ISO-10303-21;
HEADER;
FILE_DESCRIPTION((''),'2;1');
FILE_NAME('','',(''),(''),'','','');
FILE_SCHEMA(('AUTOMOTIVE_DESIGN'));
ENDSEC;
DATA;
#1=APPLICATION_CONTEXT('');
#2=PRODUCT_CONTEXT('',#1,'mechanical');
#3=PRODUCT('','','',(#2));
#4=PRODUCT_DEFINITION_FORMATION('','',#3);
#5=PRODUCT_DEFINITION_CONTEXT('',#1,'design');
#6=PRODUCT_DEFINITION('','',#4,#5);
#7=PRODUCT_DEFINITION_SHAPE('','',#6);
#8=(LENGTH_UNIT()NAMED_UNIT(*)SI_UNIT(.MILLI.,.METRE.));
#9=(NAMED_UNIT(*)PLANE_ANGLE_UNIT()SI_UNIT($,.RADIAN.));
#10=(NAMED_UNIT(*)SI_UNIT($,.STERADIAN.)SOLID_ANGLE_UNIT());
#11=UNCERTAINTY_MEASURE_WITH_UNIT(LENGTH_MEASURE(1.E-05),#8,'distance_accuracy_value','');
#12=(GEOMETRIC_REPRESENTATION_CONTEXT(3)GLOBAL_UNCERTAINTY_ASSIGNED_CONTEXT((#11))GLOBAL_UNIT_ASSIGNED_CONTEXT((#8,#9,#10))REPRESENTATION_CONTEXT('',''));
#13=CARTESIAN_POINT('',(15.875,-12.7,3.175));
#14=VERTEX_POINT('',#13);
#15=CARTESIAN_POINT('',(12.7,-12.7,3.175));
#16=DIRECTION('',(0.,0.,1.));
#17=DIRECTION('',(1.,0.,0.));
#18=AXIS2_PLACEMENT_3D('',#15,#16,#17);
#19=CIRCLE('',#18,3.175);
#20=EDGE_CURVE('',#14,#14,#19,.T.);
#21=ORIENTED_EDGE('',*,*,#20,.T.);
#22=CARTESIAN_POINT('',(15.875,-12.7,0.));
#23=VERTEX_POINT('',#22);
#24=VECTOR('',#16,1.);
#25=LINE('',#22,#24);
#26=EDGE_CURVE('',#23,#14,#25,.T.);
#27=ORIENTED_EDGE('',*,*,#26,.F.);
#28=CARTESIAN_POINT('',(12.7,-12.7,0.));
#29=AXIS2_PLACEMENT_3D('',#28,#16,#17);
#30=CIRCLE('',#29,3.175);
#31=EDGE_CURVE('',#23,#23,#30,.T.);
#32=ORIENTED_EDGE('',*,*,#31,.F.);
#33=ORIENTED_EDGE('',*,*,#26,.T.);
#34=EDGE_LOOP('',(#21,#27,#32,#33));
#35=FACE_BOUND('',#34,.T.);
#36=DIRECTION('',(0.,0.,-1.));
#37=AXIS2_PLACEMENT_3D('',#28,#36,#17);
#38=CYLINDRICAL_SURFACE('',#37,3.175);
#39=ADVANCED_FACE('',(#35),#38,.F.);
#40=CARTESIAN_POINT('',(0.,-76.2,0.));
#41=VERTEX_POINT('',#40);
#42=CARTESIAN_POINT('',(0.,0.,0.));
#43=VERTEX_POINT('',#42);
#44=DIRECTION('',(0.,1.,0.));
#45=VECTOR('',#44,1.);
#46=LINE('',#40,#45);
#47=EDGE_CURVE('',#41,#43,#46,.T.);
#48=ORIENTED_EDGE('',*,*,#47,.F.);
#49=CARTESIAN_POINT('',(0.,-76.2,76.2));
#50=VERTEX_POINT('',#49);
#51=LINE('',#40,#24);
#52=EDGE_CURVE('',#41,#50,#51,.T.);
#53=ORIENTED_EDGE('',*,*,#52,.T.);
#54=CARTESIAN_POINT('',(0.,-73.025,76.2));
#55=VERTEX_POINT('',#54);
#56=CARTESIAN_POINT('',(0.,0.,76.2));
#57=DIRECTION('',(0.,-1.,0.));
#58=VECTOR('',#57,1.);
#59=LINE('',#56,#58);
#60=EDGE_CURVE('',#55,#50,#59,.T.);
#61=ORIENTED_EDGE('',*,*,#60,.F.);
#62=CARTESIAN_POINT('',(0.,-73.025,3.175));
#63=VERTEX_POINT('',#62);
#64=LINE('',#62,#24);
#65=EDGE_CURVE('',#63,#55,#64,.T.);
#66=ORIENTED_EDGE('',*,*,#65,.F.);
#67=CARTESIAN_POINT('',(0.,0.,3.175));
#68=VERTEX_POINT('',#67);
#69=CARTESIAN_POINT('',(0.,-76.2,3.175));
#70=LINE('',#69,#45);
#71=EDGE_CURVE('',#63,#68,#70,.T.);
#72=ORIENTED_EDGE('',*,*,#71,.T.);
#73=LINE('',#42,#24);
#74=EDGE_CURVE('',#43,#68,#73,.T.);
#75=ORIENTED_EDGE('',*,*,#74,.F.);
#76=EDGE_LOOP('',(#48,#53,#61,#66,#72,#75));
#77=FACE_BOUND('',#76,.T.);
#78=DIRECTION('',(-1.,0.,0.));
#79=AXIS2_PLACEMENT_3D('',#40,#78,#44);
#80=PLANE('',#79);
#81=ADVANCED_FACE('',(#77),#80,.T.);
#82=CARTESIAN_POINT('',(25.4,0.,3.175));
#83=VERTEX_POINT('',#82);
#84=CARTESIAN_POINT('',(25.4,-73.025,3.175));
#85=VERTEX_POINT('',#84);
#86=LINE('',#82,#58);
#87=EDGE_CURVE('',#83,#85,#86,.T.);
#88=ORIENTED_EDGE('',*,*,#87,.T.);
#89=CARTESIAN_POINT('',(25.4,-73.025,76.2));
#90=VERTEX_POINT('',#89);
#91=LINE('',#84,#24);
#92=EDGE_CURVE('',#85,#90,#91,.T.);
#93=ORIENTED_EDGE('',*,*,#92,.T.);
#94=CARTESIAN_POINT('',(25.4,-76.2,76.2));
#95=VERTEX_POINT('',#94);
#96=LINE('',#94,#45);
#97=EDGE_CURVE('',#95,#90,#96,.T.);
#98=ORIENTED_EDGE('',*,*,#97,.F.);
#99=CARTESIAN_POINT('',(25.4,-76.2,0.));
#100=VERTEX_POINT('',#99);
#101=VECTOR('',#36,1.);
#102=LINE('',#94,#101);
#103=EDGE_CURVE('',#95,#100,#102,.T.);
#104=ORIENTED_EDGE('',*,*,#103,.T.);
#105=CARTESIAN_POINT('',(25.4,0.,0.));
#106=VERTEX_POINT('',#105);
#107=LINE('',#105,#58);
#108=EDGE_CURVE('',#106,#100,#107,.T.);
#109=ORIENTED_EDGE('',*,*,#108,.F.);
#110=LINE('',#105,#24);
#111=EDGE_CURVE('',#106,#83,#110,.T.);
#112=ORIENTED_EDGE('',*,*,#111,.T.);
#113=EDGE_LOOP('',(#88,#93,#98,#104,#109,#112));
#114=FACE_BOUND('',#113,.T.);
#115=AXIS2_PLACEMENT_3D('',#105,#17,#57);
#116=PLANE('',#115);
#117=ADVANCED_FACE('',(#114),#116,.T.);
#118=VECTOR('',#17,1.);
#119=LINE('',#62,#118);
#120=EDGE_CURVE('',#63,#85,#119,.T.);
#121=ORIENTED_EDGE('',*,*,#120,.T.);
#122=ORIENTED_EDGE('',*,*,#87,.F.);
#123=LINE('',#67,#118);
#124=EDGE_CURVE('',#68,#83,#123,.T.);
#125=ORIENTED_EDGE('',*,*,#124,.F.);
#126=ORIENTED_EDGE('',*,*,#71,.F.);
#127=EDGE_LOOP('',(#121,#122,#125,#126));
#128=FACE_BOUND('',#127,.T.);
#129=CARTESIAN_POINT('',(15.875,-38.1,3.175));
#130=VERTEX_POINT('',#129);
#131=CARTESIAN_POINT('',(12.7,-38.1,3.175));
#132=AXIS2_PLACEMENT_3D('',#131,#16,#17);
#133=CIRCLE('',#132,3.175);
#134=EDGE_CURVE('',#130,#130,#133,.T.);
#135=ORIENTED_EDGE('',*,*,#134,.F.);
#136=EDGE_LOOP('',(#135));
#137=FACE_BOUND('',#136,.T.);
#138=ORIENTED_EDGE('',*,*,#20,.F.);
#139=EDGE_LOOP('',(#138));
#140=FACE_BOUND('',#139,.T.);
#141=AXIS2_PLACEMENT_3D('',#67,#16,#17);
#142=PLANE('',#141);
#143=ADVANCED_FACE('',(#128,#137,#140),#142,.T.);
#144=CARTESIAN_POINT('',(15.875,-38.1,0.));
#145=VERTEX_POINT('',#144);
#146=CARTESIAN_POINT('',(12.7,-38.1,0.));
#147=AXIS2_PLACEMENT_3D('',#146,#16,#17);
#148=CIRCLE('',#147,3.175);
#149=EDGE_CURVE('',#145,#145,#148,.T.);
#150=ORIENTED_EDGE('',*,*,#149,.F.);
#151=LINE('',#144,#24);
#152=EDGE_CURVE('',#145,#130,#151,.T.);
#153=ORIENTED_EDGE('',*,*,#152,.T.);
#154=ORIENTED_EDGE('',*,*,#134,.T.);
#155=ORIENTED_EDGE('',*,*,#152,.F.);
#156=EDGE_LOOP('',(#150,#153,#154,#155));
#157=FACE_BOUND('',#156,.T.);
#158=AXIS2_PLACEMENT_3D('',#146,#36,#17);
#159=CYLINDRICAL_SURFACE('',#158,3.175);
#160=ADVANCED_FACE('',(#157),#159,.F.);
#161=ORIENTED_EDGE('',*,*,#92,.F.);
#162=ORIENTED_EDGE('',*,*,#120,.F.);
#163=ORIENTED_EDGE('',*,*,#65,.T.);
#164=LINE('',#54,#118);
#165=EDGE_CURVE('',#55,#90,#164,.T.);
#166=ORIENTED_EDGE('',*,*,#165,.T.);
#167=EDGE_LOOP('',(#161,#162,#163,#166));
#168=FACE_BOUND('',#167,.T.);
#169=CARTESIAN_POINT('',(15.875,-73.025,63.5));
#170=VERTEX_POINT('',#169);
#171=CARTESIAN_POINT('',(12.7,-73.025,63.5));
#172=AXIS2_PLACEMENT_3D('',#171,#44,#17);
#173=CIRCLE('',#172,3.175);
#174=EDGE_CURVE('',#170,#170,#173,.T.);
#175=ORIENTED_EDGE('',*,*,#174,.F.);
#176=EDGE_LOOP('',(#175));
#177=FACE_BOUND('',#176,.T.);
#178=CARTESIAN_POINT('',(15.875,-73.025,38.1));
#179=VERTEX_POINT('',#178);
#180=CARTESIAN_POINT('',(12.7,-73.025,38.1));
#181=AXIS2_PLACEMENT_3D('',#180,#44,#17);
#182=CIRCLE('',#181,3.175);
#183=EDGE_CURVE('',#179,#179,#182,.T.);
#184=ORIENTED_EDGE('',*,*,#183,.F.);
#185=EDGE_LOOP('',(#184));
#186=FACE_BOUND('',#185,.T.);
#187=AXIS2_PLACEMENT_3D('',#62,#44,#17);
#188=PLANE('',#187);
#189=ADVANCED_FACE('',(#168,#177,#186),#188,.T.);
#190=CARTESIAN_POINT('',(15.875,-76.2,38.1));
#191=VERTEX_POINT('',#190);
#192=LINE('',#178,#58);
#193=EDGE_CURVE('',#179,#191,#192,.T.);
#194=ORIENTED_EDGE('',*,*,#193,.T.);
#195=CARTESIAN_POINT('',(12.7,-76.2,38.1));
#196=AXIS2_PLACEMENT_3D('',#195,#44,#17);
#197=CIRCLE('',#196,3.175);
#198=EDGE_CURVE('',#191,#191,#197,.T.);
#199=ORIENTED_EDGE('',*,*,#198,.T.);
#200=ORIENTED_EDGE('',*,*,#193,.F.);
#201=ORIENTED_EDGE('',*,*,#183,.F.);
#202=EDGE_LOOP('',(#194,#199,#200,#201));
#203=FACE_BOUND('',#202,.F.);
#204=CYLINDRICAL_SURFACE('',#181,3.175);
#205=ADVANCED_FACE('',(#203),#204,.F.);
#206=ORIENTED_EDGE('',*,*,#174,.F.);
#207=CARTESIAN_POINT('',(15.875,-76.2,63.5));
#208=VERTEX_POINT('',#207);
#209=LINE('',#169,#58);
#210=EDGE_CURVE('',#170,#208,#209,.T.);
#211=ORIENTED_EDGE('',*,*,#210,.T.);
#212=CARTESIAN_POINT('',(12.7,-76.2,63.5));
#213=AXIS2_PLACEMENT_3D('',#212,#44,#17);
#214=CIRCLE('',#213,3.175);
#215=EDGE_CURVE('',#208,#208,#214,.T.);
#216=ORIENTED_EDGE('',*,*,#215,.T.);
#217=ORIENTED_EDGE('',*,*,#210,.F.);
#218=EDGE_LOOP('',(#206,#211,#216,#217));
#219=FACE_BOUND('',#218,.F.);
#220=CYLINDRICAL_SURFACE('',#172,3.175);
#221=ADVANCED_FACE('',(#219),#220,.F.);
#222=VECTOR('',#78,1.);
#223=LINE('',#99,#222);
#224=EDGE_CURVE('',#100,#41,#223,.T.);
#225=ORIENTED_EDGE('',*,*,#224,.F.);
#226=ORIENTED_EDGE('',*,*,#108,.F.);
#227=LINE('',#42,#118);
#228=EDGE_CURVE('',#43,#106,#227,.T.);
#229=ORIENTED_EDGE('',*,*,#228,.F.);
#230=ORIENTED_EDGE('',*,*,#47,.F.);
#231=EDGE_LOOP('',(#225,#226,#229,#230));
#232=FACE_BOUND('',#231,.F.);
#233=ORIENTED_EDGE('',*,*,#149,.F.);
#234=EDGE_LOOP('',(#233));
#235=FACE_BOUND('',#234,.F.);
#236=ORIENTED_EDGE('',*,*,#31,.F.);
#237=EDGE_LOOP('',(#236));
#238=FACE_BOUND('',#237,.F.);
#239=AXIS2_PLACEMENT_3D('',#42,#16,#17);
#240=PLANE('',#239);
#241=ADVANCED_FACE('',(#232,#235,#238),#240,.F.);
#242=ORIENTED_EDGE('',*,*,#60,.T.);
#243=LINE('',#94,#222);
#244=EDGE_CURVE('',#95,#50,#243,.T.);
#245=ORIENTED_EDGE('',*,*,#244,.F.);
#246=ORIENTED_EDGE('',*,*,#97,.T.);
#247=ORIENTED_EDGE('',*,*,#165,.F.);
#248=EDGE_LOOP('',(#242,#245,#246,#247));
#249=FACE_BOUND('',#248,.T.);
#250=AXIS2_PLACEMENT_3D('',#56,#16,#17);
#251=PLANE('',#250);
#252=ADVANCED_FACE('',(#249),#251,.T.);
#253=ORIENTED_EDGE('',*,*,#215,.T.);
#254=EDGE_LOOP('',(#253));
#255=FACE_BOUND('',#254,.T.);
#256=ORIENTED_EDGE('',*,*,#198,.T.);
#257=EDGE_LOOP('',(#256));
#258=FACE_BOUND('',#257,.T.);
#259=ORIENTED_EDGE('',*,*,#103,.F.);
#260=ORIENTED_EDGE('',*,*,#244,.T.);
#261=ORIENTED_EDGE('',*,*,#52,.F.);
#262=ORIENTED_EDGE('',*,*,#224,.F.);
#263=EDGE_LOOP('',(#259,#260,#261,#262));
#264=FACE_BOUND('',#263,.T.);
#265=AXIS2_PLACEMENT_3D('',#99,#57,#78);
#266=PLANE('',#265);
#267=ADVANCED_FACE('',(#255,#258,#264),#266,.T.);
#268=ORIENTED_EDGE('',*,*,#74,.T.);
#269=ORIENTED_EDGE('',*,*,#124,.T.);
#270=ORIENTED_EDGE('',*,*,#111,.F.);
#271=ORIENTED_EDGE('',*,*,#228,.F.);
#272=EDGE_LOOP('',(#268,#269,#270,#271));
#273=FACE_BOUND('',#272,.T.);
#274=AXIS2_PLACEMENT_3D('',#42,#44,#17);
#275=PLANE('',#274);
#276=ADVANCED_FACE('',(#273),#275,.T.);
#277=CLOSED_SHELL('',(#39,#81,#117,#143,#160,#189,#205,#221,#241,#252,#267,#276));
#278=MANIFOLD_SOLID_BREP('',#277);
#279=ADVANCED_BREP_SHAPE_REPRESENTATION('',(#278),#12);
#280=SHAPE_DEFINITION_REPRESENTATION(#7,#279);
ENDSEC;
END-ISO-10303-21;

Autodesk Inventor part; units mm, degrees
ref_plane "YZ Plane" through (0, 0, 0) normal (1, 0, 0) x (0, 1, 0)
ref_plane "XZ Plane" through (0, 0, 0) normal (0, 1, 0) x (-1, 0, 0)
ref_plane "XY Plane" through (0, 0, 0) normal (0, 0, 1) x (1, 0, 0)
sketch "Sketch1" plane through (0, 0, 0) normal (0, 0, 1) x (1, 0, 0)
  line L0 (0, 0) -> (25.4, 0)
  line L1 (25.4, 0) -> (25.4, -76.2)
  line L2 (25.4, -76.2) -> (0, -76.2)
  line L3 (0, -76.2) -> (0, 0)
  circle A0 centre (12.7, -12.7) radius 3.175
  circle A1 centre (12.7, -38.1) radius 3.175
  dimension "d0" = 25.4
  dimension "d1" = 76.2
  dimension "d2" = 6.35
  dimension "d3" = 6.35
  dimension "d4" = 12.7
  dimension "d5" = 12.7
  dimension "d6" = 12.7
  dimension "d7" = 25.4
extrude "Extrusion1" add sketch "Sketch1" along normal blind 3.175
sketch "Sketch2" plane through (0, 0, 3.175) normal (0, 0, 1) x (1, 0, 0)
  line L0 (25.4, -76.2) -> (25.4, 0) projected
  line L1 (0, 0) -> (0, -76.2) projected
  line L2 (25.4, -76.2) -> (0, -76.2)
  line L3 (0, -76.2) -> (0, -73.025)
  line L4 (0, -73.025) -> (25.4, -73.025)
  line L5 (25.4, -73.025) -> (25.4, -76.2)
  dimension "d10" = 3.175
extrude "Extrusion2" add sketch "Sketch2" along normal blind 73.025
sketch "Sketch3" plane through (0, -73.025, 3.175) normal (0, 1, 0) x (1, 0, 0)
  circle A0 centre (12.7, -60.325) radius 3.175
  circle A1 centre (12.7, -34.925) radius 3.175
  line L0 (0, 0) -> (0, -73.025) projected
  line L1 (25.4, -73.025) -> (0, -73.025) projected
  point P0 (0, 3.175)
  dimension "d13" = 6.35
  dimension "d14" = 6.35
  dimension "d15" = 12.7
  dimension "d16" = 12.7
  dimension "d17" = 12.7
  dimension "d18" = 25.4
extrude "Extrusion3" cut sketch "Sketch3" against normal blind 73.025
properties part number "15102898-16-P-0510" material "Stainless Steel"
